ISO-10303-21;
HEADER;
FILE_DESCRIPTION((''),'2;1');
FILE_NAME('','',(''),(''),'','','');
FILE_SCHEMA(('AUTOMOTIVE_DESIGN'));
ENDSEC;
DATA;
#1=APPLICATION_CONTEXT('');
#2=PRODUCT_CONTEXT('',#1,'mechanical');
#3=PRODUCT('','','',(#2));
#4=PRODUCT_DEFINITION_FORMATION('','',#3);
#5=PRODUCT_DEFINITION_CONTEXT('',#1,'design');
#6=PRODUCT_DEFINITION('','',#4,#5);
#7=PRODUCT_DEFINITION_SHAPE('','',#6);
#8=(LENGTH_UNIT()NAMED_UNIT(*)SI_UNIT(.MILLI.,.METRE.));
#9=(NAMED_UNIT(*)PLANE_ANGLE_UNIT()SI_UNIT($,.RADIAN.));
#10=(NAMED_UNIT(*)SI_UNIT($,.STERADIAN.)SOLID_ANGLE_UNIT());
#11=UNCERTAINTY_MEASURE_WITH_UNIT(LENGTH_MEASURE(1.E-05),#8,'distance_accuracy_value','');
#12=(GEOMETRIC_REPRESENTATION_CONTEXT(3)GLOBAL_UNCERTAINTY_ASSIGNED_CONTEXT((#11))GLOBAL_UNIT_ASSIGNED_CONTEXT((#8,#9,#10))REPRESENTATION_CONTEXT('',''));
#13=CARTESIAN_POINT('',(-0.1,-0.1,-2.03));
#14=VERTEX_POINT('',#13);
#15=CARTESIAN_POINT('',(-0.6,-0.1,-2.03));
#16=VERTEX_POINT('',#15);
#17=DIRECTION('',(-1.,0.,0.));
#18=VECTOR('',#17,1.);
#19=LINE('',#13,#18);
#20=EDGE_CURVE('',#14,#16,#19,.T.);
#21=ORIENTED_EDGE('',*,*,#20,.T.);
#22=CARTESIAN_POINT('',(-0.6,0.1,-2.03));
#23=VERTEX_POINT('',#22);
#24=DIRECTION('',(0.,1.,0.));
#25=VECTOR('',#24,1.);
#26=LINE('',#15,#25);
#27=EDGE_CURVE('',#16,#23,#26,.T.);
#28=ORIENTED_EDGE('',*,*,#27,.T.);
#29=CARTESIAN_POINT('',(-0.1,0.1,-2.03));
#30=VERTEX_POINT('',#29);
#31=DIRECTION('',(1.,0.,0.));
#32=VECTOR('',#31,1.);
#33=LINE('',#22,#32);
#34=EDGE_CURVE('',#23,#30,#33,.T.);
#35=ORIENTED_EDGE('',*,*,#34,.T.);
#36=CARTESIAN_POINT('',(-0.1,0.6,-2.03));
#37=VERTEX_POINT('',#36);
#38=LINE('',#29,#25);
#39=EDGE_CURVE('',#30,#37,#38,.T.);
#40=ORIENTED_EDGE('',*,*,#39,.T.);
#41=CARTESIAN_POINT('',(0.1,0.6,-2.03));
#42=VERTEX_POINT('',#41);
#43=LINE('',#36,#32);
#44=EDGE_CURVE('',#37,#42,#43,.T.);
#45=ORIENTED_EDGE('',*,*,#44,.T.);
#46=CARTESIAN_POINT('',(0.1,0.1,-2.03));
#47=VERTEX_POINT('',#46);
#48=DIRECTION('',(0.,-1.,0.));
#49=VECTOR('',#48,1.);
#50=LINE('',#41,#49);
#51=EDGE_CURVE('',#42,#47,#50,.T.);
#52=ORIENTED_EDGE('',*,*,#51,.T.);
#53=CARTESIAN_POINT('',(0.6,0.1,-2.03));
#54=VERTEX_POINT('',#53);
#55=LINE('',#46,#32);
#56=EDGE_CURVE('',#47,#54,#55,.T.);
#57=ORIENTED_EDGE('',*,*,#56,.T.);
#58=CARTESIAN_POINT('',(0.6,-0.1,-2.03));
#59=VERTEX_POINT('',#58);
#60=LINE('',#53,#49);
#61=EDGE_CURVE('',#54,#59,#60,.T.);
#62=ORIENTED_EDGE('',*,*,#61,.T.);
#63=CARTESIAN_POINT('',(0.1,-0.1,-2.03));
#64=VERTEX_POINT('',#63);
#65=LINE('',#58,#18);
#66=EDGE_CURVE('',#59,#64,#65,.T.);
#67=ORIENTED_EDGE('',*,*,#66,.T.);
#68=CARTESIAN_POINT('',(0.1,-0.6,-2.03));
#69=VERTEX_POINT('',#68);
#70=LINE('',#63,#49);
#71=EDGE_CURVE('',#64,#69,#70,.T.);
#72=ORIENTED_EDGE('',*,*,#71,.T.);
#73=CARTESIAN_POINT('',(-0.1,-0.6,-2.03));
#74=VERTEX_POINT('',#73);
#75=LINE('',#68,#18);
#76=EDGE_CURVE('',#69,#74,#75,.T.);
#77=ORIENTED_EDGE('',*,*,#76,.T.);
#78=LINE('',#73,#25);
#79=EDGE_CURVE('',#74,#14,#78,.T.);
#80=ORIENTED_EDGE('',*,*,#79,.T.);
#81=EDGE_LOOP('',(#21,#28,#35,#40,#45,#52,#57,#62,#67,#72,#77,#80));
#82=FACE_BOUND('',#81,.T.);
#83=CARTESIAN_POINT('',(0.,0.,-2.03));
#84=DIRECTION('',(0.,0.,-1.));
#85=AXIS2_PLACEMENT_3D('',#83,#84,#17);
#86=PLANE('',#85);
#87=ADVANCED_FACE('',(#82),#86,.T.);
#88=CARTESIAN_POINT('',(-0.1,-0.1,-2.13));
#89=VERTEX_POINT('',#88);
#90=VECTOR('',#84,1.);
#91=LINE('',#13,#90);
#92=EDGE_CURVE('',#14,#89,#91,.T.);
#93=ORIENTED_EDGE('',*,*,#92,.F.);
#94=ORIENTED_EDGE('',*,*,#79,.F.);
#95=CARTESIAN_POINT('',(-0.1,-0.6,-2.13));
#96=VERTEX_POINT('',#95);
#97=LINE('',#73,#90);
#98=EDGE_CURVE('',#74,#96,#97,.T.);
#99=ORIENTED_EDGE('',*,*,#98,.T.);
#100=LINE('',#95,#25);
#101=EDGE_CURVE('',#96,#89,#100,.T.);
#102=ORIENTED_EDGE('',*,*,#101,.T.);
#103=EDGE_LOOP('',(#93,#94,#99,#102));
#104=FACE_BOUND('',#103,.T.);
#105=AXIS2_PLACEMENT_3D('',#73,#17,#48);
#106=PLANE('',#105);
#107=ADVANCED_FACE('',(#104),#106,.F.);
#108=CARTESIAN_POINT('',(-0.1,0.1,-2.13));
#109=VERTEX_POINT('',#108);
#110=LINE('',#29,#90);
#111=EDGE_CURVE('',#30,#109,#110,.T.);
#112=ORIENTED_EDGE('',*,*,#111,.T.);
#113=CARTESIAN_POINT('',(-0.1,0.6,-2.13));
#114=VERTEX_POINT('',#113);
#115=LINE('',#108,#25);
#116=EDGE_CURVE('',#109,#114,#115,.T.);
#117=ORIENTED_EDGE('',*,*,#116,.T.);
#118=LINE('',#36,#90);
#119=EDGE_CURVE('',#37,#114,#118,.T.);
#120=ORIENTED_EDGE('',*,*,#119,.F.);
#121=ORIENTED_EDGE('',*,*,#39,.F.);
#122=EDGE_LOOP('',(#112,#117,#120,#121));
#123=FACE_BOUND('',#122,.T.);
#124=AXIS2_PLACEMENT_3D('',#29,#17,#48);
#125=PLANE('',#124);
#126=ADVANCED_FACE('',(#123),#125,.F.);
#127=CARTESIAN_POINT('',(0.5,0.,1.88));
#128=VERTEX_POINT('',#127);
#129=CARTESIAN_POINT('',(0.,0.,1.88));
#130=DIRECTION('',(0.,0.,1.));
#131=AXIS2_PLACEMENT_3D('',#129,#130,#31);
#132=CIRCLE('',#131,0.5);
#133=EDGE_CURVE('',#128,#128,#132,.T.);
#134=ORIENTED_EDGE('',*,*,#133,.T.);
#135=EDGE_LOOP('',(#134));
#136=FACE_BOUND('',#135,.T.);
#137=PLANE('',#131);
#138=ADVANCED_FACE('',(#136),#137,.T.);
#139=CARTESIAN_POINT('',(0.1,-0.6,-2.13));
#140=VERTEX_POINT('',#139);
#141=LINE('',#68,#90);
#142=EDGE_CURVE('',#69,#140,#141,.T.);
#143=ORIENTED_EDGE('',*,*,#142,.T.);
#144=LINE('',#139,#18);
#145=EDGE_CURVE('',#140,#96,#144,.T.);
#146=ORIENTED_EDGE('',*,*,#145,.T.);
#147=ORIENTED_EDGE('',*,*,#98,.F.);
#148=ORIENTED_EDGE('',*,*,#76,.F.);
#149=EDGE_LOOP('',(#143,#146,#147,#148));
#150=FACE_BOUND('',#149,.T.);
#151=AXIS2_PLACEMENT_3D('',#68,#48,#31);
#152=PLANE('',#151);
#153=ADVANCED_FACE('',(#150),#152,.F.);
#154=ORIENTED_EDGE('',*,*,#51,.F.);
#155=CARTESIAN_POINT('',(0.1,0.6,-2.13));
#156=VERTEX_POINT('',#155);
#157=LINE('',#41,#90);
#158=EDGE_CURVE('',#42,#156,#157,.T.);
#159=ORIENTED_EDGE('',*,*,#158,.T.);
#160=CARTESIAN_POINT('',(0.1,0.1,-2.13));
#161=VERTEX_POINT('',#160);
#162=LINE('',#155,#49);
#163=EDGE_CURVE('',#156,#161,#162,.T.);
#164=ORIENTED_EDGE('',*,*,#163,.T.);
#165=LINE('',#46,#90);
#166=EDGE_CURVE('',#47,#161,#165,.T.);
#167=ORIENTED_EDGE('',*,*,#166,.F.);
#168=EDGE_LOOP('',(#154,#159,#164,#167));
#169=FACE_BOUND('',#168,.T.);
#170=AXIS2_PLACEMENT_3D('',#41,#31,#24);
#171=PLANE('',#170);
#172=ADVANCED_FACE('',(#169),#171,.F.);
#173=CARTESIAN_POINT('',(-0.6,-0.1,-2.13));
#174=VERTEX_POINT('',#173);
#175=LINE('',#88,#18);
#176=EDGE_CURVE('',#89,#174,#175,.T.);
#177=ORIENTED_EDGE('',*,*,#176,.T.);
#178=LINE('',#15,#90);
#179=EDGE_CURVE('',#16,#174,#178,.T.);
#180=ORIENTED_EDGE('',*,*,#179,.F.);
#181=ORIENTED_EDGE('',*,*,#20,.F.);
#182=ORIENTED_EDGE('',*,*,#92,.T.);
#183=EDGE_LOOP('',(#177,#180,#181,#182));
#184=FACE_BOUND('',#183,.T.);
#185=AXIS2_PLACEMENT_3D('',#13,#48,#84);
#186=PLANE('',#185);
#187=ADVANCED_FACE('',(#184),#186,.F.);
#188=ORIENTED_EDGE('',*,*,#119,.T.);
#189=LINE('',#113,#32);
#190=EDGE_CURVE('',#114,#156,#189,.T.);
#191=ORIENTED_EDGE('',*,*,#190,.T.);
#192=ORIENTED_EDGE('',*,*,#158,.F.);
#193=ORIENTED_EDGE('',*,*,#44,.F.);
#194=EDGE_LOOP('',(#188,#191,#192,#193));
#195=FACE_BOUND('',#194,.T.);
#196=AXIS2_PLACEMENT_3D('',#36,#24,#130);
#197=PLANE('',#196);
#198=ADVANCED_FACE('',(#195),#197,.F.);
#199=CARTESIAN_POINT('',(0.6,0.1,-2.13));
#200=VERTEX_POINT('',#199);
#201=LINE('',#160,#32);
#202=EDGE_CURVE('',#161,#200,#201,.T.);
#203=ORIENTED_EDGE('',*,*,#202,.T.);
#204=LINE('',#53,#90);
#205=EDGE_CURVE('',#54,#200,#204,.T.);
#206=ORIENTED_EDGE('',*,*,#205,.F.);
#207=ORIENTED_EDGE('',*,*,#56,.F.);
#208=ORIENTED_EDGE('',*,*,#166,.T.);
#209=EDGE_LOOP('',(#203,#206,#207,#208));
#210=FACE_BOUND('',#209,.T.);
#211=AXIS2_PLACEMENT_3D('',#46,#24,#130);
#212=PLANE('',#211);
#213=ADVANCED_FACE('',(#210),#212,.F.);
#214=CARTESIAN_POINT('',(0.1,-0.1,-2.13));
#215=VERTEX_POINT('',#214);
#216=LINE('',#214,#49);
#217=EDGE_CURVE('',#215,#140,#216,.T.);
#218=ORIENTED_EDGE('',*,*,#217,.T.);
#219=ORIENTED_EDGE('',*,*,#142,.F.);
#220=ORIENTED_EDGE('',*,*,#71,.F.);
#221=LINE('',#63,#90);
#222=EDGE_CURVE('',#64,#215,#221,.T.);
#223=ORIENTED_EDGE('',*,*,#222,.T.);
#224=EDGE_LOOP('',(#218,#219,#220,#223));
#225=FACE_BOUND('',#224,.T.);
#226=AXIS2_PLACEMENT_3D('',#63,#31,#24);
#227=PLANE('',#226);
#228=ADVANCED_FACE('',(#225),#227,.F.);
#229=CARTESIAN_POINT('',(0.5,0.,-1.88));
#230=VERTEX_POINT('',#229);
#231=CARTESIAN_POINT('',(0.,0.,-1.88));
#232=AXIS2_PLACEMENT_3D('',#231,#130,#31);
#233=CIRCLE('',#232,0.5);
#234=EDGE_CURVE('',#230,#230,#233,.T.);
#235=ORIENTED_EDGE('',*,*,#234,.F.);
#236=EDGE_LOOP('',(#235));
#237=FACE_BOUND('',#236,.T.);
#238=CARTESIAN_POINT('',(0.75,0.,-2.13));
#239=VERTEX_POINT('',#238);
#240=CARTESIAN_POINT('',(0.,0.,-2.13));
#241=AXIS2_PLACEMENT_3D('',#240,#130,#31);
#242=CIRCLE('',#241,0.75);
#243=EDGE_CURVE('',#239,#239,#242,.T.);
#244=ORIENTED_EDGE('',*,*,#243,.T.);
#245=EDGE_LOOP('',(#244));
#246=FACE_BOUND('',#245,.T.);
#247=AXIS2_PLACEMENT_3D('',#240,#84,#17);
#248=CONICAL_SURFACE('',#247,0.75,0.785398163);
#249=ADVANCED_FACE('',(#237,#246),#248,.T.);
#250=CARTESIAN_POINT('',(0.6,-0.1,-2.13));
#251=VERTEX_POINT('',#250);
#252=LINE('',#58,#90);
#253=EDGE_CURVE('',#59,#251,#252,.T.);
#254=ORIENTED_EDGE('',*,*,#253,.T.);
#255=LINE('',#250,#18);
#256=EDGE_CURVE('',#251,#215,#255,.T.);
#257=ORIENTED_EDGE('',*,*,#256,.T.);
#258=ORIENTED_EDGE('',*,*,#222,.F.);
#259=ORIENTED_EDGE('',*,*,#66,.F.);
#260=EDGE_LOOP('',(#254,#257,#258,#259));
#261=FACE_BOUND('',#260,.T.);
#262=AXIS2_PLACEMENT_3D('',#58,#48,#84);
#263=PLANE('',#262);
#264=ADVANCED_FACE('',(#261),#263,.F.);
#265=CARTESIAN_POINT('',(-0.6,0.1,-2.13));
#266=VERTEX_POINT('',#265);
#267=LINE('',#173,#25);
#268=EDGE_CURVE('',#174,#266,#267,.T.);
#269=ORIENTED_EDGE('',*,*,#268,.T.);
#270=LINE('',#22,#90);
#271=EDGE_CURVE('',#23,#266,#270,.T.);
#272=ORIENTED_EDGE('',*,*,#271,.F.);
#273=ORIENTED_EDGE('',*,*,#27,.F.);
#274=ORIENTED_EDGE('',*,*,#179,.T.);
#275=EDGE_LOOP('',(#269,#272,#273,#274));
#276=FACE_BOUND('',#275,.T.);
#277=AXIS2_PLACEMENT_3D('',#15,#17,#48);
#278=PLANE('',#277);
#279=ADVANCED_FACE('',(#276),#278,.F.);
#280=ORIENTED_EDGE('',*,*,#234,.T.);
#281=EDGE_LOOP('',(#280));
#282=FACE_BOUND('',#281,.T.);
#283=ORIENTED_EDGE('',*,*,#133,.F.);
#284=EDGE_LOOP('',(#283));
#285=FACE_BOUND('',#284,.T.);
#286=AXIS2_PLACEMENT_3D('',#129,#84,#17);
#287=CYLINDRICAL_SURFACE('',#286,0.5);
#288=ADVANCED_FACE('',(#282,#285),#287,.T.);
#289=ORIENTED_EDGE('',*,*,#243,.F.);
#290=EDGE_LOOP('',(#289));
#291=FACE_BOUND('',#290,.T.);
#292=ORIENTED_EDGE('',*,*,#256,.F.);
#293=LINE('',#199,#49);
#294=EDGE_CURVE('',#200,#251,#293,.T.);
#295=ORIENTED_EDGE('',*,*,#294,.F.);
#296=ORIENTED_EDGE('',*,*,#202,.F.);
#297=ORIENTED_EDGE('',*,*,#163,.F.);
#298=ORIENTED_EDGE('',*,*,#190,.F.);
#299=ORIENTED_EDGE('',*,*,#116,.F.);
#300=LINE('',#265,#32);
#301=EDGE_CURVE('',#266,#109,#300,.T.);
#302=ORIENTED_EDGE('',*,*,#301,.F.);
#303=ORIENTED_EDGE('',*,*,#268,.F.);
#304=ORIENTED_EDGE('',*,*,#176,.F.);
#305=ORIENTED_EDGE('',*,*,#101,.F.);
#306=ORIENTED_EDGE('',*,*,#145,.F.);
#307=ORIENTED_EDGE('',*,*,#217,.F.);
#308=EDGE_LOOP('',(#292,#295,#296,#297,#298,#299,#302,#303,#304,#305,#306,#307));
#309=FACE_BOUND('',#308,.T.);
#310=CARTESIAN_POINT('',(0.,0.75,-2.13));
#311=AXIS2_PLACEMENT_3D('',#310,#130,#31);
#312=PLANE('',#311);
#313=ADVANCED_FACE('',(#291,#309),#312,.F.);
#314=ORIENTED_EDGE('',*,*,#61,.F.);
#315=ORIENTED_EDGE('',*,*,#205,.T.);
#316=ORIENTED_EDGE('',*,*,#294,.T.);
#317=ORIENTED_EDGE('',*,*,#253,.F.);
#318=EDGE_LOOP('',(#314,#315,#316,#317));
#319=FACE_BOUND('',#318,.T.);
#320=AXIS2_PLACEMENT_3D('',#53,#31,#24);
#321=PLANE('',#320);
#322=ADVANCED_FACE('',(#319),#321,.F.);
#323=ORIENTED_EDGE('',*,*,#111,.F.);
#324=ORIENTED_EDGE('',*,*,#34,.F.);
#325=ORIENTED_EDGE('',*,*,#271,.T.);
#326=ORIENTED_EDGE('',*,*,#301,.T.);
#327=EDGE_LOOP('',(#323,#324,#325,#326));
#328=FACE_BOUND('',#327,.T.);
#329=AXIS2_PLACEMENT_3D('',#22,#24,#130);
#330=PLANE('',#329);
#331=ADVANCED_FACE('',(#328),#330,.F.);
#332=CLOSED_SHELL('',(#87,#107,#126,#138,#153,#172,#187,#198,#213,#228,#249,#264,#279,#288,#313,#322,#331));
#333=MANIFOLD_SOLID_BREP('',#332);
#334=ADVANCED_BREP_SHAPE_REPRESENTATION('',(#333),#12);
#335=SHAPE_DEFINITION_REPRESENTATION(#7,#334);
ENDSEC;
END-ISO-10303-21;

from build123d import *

# Parameters (mm, degrees)
SKETCH1_R           = 0.5
BOSS_EXTRUDE1_DEPTH = 1.88
CUT_EXTRUDE1_DEPTH  = 0.1


with BuildPart() as part:
    # Sketch1 → Boss-Extrude1 (new body, symmetric)
    with BuildSketch(Plane.XY):
        Circle(SKETCH1_R)
    extrude(amount=BOSS_EXTRUDE1_DEPTH, both=True)

    # Sketch2 → Revolve1 (revolve)
    with BuildSketch(Plane(origin=(0, 0, 0), x_dir=(0, 0, -1), z_dir=(1, 0, 0))):
        Polygon((1.88, 0.5), (2.13, 0.75), (2.13, 0), (1.88, 0), align=None)
    revolve(axis=Axis((0, 0, 2.0805), (0, 0, -1)))

    # Sketch3 → Cut-Extrude1 (cut)
    with BuildSketch(Plane(origin=(0, 0, -2.13), x_dir=(-1, 0, 0), z_dir=(0, 0, -1))):
        Polygon((-0.1, 0.6), (-0.1, 0.1), (-0.6, 0.1), (-0.6, -0.1), (-0.1, -0.1), (-0.1, -0.6), (0.1, -0.6), (0.1, -0.1), (0.6, -0.1), (0.6, 0.1), (0.1, 0.1), (0.1, 0.6), align=None)
    extrude(amount=-CUT_EXTRUDE1_DEPTH, mode=Mode.SUBTRACT)


solid = part.part
